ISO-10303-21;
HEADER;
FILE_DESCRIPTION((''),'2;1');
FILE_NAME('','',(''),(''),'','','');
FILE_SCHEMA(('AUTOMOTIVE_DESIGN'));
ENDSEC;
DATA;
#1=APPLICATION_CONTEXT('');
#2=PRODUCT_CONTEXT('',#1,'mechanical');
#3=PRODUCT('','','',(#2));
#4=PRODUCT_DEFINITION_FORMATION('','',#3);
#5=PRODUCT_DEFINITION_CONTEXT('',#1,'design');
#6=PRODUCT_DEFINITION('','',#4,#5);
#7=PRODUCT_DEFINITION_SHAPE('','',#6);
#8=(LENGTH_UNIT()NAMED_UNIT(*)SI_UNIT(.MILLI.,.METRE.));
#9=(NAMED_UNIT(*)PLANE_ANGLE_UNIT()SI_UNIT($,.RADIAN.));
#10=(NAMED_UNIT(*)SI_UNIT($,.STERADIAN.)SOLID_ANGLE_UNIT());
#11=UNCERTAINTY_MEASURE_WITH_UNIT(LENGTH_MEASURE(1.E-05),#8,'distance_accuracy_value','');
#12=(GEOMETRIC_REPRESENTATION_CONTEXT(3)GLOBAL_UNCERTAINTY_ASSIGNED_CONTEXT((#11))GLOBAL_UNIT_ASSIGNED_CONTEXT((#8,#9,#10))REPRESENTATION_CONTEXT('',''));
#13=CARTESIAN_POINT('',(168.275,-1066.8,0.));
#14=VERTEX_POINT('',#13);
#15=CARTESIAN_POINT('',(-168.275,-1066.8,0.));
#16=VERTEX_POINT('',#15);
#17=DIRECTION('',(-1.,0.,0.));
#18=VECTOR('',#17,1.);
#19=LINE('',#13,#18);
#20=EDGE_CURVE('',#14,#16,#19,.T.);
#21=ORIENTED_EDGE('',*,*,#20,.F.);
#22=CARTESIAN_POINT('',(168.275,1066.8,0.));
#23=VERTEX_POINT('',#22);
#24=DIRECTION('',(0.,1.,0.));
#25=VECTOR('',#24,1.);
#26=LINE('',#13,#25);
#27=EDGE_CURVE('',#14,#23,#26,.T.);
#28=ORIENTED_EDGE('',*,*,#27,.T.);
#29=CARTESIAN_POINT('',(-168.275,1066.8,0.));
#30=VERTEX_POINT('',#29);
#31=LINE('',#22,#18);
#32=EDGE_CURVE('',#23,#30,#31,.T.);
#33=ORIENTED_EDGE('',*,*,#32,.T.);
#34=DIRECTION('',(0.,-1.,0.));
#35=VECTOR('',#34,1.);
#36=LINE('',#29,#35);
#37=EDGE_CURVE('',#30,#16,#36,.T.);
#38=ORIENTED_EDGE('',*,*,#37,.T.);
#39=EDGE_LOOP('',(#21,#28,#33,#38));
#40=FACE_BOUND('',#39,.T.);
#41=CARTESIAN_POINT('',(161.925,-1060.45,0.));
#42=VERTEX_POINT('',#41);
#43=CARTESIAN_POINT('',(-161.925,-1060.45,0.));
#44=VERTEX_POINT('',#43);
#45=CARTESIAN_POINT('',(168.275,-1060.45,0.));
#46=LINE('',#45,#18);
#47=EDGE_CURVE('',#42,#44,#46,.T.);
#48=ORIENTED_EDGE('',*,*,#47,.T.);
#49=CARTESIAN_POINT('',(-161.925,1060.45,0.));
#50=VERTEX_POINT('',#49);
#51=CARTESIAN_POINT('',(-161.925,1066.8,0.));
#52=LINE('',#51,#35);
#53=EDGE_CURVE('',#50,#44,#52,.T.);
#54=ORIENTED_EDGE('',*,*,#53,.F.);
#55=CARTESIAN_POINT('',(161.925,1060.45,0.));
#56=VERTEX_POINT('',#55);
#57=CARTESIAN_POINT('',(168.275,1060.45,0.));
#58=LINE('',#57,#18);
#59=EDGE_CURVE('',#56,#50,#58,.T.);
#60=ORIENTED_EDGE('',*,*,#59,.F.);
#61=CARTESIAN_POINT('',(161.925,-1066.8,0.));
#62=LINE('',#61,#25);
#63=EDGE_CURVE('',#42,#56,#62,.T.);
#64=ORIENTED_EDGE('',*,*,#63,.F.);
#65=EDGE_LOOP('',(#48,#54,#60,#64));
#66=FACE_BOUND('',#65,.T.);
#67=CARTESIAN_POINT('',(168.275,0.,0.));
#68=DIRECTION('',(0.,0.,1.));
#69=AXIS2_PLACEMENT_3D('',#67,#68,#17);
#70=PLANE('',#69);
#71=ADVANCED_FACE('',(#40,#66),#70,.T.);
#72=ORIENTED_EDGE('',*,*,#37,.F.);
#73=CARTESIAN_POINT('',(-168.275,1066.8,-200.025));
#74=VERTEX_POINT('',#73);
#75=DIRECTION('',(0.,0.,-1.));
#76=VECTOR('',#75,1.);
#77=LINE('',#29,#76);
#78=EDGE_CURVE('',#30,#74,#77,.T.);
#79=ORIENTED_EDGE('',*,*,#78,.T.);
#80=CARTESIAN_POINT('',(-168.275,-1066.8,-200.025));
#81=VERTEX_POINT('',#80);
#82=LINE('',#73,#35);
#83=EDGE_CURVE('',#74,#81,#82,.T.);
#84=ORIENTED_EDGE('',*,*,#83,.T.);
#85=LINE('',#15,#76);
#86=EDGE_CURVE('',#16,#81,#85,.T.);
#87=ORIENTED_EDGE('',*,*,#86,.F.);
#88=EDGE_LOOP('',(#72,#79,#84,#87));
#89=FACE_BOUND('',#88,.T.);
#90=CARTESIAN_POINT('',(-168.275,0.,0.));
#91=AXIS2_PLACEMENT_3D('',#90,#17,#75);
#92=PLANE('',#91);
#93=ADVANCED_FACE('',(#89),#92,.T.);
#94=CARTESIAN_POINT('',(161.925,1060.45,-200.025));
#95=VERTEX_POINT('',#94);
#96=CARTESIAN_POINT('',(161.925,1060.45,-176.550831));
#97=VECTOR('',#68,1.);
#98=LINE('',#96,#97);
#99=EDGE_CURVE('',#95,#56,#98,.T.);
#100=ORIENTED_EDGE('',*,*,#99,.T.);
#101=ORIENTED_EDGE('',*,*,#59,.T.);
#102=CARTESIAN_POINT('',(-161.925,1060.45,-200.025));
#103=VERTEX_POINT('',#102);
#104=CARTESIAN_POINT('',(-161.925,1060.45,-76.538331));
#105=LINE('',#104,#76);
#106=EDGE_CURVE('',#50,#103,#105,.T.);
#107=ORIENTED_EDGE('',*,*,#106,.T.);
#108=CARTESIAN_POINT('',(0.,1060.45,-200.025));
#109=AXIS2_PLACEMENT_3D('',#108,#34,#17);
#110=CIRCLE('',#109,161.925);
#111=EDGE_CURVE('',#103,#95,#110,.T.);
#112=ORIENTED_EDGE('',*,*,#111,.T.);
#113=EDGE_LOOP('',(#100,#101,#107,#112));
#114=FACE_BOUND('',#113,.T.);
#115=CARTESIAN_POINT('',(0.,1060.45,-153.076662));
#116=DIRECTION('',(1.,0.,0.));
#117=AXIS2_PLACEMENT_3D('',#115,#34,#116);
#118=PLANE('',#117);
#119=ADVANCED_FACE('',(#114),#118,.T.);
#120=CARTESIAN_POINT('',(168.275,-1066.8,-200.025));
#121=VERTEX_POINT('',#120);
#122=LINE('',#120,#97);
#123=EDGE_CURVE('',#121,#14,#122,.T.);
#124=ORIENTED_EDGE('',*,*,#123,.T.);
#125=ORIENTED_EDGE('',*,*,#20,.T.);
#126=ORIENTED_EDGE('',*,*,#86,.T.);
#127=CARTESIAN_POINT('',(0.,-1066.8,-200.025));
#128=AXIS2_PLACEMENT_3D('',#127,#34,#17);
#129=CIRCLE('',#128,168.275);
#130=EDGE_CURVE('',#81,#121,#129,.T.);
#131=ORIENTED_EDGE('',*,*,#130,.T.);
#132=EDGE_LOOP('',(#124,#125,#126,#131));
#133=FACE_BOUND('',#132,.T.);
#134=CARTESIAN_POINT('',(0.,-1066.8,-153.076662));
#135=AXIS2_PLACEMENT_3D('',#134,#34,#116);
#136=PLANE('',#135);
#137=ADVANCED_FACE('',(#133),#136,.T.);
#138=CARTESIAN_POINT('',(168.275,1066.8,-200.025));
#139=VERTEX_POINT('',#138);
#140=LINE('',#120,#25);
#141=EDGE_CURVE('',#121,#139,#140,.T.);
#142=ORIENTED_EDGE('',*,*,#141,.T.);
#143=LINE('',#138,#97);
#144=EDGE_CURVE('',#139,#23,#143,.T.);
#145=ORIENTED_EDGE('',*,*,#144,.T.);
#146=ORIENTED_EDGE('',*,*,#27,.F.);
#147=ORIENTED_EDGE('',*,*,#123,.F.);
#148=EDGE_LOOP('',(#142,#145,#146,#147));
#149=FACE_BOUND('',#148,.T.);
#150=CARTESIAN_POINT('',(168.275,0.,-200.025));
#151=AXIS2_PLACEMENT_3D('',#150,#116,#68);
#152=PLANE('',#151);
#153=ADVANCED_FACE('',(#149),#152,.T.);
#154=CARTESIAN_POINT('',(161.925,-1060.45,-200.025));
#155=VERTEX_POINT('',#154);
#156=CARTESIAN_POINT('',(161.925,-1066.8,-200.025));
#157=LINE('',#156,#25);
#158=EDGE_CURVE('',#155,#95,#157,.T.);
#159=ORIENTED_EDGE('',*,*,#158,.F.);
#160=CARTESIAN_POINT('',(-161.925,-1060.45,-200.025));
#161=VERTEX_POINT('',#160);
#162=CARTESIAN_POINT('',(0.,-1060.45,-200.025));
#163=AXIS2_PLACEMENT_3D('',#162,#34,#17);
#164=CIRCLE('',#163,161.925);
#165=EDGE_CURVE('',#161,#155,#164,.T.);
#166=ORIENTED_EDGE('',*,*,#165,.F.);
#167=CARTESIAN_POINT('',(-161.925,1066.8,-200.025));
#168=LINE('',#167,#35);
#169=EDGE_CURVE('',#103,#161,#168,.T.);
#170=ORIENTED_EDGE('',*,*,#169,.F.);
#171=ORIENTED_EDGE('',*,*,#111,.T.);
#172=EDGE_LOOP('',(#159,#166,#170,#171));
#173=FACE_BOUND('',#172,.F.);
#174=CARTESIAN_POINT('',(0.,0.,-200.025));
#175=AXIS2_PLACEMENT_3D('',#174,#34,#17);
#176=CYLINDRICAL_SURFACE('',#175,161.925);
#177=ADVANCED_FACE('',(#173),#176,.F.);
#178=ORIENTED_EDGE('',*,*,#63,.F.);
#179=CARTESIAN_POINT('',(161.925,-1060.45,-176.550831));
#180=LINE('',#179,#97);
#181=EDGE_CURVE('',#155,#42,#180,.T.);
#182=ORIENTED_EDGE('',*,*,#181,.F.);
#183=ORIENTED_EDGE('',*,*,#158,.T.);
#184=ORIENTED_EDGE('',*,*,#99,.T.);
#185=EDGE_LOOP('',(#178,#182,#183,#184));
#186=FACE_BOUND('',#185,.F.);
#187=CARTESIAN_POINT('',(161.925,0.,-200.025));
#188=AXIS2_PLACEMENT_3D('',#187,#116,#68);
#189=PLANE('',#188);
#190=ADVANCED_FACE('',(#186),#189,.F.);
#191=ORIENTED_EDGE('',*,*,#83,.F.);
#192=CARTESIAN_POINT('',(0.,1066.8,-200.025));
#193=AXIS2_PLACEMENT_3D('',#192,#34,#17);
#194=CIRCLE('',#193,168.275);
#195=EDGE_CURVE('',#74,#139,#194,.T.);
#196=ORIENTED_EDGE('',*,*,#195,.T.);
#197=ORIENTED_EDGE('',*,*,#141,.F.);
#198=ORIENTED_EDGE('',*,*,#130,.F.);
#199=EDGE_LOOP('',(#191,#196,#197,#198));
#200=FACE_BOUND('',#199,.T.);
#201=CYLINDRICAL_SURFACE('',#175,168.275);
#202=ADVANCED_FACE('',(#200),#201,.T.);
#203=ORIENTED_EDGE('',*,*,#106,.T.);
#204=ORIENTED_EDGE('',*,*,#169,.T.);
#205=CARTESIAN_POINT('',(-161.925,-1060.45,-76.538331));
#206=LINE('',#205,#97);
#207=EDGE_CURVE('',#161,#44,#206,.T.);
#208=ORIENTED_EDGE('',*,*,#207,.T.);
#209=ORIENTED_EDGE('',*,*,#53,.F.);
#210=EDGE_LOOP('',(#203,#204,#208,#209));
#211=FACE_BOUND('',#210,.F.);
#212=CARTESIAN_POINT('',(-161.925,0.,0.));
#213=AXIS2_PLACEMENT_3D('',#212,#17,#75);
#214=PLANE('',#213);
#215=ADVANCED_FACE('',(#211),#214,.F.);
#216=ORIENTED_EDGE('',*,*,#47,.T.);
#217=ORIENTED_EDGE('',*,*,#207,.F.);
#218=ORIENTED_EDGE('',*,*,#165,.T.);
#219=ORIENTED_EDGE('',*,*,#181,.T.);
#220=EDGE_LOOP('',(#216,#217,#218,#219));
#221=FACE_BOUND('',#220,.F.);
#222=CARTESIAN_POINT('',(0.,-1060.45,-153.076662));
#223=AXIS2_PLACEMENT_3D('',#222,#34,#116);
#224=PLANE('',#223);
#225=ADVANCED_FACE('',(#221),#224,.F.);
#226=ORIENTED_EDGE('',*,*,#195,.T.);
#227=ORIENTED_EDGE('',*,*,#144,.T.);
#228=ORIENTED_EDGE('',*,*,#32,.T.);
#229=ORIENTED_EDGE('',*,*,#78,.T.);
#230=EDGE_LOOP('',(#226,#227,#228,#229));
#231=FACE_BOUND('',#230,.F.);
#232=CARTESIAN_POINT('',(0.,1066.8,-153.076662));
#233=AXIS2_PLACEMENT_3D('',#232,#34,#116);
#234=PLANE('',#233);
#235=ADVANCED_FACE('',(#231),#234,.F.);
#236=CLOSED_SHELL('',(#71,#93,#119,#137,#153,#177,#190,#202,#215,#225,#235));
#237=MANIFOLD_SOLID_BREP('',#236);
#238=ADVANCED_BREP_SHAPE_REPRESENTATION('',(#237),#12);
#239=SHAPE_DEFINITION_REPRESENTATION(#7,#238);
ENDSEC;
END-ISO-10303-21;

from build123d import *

# Parameters (mm, degrees)
F1_DEPTH = 1066.8
F2_T     = -6.35


with BuildPart() as f1:
    # F0 (on Front) → F1 (new body, symmetric)
    with BuildSketch(Plane.XZ):
        with BuildLine():
            Line((168.275, 0), (-168.275, 0))
            Line((-168.275, 0), (-168.275, -200.025))
            ThreePointArc((-168.275, -200.025), (0, -368.3), (168.275, -200.025))
            Line((168.275, -200.025), (168.275, 0))
        make_face()
    extrude(amount=F1_DEPTH, both=True)

    # F2
    f2_openings = [f1.faces().sort_by_distance(p)[0] for p in [
        (0, 0, 0),
    ]]
    offset(amount=F2_T, openings=f2_openings)


solid = f1.part
